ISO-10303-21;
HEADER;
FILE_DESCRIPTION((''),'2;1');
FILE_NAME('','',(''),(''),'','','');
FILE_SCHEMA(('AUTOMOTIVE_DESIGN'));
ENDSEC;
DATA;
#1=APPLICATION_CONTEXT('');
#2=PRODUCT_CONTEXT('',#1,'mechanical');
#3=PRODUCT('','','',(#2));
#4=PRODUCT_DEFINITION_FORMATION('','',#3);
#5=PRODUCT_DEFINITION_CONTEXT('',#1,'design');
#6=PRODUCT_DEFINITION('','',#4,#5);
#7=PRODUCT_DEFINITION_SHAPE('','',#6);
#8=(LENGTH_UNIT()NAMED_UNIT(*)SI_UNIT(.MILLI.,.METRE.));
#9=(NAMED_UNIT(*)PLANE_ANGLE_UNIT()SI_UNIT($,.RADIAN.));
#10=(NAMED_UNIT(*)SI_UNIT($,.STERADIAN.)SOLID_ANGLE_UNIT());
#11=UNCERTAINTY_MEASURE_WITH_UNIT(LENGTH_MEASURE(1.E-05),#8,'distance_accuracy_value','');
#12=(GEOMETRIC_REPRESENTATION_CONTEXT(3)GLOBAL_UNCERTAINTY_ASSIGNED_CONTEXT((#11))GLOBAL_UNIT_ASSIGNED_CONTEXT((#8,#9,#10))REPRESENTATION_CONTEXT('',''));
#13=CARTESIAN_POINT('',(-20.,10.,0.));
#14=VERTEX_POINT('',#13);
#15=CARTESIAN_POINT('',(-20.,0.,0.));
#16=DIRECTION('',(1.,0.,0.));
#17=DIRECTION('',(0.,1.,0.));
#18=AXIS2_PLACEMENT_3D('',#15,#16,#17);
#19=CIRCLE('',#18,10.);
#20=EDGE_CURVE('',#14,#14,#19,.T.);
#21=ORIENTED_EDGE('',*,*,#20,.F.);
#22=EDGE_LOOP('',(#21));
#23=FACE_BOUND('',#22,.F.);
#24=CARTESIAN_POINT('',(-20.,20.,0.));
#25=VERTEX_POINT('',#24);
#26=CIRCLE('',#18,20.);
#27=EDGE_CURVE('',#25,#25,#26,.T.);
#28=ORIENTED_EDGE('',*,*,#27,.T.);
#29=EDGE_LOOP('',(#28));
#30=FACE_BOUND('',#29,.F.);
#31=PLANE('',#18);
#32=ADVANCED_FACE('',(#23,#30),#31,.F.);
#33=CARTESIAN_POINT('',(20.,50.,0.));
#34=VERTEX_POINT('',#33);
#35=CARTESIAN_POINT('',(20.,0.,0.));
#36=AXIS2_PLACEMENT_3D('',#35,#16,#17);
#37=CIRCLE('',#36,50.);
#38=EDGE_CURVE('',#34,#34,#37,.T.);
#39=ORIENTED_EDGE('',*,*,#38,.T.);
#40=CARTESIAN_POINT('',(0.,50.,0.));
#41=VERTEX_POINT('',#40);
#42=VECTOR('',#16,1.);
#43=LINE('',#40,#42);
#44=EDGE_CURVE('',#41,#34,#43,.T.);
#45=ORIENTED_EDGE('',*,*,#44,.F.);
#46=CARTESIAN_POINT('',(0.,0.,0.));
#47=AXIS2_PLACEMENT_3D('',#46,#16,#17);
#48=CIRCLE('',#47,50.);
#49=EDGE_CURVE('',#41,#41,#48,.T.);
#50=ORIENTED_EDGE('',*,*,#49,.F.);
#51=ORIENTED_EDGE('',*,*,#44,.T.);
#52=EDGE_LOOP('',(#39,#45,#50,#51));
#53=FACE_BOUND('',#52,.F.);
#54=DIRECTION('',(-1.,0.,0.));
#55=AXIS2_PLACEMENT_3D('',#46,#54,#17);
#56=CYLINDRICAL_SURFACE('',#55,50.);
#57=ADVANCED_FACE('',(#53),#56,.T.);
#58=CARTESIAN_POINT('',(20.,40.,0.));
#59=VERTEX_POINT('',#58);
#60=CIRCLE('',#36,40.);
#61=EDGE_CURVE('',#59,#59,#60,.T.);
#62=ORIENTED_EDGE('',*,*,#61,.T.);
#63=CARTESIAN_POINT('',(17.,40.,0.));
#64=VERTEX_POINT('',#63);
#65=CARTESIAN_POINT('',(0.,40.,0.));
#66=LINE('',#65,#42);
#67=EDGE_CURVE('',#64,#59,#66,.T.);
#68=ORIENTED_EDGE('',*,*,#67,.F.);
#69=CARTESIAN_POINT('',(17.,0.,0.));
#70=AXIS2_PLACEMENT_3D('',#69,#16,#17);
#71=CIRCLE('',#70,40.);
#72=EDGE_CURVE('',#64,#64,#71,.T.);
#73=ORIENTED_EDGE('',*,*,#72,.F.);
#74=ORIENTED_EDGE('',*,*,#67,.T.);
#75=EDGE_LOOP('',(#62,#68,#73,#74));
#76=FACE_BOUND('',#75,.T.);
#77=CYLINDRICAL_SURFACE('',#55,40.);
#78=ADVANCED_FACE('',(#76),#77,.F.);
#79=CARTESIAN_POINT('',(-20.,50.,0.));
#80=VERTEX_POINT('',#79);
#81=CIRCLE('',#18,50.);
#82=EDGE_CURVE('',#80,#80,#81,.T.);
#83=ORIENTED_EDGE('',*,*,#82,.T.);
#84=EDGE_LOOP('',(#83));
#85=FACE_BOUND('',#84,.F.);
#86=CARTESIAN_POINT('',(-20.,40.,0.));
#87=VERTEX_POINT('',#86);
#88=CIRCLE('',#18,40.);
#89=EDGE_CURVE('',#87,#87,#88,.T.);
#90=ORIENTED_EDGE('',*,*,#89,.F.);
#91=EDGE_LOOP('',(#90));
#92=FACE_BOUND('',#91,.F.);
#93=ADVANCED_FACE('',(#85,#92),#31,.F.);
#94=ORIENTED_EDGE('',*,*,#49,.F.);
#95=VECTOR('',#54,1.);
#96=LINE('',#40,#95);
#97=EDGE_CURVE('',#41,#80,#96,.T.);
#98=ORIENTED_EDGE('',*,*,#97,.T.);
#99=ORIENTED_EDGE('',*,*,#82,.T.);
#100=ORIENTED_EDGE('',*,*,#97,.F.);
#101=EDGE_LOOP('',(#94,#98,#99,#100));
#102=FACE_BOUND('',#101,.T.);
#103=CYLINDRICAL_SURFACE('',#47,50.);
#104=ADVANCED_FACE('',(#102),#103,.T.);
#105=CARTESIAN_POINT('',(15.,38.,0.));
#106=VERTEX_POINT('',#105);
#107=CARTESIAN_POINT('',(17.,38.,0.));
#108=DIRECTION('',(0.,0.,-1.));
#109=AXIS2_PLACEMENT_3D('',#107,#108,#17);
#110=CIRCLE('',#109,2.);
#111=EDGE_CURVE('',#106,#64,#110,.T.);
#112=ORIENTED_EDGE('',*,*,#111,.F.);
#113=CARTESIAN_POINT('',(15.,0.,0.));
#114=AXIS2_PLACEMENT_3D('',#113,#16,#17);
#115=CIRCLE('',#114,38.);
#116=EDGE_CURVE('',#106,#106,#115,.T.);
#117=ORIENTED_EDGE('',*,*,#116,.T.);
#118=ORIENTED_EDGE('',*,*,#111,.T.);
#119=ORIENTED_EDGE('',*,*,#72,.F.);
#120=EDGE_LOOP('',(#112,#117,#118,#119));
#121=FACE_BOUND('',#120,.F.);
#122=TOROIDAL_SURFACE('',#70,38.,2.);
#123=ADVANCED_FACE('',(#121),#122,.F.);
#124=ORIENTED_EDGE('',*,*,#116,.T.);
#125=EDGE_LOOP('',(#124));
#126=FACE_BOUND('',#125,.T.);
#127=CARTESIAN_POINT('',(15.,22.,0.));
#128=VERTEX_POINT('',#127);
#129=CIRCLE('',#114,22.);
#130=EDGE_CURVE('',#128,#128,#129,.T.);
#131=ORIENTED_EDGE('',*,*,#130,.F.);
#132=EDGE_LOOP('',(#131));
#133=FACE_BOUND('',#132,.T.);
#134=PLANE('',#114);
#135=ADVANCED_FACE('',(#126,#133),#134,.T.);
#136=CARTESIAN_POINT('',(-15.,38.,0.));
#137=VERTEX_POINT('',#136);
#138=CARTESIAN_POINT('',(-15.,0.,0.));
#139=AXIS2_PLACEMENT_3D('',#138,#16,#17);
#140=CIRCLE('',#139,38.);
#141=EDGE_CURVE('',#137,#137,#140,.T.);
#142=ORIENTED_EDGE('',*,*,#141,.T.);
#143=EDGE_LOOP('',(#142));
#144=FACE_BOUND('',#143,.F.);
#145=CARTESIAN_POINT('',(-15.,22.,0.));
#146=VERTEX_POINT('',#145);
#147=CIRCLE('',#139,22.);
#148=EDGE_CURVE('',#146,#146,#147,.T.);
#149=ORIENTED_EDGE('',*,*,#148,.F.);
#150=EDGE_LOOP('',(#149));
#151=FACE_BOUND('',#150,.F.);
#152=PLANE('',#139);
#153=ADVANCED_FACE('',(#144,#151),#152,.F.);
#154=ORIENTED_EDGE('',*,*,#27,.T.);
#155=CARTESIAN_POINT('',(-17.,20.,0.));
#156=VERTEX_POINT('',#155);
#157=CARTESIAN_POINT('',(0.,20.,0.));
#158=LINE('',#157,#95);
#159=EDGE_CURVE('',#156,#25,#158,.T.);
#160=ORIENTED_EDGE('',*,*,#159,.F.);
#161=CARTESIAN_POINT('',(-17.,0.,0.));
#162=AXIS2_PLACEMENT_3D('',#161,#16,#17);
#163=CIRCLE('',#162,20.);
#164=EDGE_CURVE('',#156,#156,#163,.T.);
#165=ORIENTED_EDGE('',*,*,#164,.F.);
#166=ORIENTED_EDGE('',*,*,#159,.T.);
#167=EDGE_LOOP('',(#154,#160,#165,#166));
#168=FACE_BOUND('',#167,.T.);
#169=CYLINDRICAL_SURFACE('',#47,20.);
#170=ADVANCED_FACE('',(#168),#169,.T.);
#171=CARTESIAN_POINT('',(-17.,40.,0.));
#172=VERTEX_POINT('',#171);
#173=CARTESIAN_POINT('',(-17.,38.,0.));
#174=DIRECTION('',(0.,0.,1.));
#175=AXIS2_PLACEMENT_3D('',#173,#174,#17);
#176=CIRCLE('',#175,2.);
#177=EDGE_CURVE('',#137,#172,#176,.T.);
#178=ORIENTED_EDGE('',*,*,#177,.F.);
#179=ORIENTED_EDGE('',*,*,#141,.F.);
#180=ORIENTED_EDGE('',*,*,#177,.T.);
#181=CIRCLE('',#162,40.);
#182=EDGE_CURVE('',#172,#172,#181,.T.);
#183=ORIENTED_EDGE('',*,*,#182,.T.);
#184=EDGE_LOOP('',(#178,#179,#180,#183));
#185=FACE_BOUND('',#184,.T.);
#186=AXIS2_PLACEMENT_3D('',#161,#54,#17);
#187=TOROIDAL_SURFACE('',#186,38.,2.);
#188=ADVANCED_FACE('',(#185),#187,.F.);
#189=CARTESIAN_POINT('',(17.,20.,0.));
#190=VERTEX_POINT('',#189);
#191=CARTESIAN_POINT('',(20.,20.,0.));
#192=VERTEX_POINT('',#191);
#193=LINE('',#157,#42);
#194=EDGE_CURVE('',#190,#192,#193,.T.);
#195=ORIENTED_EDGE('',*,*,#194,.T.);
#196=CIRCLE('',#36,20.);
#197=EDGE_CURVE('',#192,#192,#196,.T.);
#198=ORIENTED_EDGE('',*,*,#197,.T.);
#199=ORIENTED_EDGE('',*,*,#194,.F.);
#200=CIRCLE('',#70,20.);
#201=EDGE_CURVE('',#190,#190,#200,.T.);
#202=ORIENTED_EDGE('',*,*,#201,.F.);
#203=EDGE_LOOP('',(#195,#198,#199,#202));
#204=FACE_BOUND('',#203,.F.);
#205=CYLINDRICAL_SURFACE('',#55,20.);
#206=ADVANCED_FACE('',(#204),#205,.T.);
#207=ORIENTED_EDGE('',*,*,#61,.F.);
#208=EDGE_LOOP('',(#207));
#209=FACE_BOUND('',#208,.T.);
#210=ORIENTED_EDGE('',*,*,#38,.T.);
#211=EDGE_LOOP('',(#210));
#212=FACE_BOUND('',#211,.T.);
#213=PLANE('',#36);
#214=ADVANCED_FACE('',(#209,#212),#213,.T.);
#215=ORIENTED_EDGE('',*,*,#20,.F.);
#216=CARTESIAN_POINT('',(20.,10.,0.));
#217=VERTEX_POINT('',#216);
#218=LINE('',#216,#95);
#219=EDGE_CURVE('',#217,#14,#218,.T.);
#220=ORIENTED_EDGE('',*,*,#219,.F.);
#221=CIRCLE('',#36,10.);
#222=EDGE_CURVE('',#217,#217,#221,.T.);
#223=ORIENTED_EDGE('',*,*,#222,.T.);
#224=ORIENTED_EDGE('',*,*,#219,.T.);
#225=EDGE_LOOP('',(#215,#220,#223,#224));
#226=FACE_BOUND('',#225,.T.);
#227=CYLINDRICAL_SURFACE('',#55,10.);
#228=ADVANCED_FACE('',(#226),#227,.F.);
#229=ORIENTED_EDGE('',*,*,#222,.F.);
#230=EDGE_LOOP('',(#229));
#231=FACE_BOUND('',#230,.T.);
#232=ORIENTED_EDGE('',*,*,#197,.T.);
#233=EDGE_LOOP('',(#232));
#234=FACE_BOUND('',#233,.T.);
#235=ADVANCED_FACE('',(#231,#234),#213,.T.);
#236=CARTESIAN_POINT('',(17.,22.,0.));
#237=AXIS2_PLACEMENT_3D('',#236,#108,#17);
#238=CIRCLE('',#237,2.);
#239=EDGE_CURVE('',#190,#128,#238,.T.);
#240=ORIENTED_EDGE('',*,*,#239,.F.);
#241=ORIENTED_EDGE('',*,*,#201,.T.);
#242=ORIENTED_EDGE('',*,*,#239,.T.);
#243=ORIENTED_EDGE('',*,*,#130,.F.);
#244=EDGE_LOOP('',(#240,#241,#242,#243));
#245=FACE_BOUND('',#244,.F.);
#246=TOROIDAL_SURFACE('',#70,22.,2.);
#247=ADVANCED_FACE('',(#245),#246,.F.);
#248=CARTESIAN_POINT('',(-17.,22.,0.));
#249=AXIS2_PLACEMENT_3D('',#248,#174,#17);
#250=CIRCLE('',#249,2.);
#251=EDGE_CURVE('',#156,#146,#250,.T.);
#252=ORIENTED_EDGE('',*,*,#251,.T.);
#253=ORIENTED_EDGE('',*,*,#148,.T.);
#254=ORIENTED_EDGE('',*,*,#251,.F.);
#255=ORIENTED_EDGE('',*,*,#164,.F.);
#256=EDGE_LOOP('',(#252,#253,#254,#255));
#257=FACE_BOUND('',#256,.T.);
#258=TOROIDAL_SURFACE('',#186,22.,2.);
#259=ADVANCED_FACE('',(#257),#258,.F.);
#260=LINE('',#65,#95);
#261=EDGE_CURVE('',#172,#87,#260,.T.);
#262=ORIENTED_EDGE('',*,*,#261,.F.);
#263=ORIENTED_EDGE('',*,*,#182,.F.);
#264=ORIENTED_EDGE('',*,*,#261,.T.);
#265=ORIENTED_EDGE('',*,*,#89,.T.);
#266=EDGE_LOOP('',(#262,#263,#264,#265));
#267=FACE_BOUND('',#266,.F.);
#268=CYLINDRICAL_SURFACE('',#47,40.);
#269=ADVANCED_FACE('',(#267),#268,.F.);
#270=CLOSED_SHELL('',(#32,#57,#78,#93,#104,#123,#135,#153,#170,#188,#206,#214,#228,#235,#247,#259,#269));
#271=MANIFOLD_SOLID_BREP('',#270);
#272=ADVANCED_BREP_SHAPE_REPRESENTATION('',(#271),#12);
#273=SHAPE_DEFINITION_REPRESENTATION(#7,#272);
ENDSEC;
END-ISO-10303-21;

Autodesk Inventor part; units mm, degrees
ref_plane "YZ Plane" through (0, 0, 0) normal (1, 0, 0) x (0, 1, 0)
ref_plane "XZ Plane" through (0, 0, 0) normal (0, 1, 0) x (-1, 0, 0)
ref_plane "XY Plane" through (0, 0, 0) normal (0, 0, 1) x (1, 0, 0)
sketch "Sketch1" plane through (0, 0, 0) normal (1, 0, 0) x (0, 1, 0)
  circle A0 centre (0, 0) radius 10
  circle A1 centre (0, 0) radius 20
  circle A2 centre (0, 0) radius 40
  circle A3 centre (0, 0) radius 50
  dimension "d0" = 20
  dimension "d1" = 40
  dimension "d2" = 80
  dimension "d3" = 100
extrude "Extrusion1" add sketch "Sketch1" along normal mid plane 40
extrude "Extrusion2" add sketch "Sketch1" along normal mid plane 30 contours A2
fillet "Fillet1" radius 2 1 edges at (-15, -40, 0)
fillet "Fillet4" radius 2 1 edges at (15, -40, 0)
fillet "Fillet5" radius 2 1 edges at (-15, -20, 0)
fillet "Fillet6" radius 2 1 edges at (15, -20, 0)
